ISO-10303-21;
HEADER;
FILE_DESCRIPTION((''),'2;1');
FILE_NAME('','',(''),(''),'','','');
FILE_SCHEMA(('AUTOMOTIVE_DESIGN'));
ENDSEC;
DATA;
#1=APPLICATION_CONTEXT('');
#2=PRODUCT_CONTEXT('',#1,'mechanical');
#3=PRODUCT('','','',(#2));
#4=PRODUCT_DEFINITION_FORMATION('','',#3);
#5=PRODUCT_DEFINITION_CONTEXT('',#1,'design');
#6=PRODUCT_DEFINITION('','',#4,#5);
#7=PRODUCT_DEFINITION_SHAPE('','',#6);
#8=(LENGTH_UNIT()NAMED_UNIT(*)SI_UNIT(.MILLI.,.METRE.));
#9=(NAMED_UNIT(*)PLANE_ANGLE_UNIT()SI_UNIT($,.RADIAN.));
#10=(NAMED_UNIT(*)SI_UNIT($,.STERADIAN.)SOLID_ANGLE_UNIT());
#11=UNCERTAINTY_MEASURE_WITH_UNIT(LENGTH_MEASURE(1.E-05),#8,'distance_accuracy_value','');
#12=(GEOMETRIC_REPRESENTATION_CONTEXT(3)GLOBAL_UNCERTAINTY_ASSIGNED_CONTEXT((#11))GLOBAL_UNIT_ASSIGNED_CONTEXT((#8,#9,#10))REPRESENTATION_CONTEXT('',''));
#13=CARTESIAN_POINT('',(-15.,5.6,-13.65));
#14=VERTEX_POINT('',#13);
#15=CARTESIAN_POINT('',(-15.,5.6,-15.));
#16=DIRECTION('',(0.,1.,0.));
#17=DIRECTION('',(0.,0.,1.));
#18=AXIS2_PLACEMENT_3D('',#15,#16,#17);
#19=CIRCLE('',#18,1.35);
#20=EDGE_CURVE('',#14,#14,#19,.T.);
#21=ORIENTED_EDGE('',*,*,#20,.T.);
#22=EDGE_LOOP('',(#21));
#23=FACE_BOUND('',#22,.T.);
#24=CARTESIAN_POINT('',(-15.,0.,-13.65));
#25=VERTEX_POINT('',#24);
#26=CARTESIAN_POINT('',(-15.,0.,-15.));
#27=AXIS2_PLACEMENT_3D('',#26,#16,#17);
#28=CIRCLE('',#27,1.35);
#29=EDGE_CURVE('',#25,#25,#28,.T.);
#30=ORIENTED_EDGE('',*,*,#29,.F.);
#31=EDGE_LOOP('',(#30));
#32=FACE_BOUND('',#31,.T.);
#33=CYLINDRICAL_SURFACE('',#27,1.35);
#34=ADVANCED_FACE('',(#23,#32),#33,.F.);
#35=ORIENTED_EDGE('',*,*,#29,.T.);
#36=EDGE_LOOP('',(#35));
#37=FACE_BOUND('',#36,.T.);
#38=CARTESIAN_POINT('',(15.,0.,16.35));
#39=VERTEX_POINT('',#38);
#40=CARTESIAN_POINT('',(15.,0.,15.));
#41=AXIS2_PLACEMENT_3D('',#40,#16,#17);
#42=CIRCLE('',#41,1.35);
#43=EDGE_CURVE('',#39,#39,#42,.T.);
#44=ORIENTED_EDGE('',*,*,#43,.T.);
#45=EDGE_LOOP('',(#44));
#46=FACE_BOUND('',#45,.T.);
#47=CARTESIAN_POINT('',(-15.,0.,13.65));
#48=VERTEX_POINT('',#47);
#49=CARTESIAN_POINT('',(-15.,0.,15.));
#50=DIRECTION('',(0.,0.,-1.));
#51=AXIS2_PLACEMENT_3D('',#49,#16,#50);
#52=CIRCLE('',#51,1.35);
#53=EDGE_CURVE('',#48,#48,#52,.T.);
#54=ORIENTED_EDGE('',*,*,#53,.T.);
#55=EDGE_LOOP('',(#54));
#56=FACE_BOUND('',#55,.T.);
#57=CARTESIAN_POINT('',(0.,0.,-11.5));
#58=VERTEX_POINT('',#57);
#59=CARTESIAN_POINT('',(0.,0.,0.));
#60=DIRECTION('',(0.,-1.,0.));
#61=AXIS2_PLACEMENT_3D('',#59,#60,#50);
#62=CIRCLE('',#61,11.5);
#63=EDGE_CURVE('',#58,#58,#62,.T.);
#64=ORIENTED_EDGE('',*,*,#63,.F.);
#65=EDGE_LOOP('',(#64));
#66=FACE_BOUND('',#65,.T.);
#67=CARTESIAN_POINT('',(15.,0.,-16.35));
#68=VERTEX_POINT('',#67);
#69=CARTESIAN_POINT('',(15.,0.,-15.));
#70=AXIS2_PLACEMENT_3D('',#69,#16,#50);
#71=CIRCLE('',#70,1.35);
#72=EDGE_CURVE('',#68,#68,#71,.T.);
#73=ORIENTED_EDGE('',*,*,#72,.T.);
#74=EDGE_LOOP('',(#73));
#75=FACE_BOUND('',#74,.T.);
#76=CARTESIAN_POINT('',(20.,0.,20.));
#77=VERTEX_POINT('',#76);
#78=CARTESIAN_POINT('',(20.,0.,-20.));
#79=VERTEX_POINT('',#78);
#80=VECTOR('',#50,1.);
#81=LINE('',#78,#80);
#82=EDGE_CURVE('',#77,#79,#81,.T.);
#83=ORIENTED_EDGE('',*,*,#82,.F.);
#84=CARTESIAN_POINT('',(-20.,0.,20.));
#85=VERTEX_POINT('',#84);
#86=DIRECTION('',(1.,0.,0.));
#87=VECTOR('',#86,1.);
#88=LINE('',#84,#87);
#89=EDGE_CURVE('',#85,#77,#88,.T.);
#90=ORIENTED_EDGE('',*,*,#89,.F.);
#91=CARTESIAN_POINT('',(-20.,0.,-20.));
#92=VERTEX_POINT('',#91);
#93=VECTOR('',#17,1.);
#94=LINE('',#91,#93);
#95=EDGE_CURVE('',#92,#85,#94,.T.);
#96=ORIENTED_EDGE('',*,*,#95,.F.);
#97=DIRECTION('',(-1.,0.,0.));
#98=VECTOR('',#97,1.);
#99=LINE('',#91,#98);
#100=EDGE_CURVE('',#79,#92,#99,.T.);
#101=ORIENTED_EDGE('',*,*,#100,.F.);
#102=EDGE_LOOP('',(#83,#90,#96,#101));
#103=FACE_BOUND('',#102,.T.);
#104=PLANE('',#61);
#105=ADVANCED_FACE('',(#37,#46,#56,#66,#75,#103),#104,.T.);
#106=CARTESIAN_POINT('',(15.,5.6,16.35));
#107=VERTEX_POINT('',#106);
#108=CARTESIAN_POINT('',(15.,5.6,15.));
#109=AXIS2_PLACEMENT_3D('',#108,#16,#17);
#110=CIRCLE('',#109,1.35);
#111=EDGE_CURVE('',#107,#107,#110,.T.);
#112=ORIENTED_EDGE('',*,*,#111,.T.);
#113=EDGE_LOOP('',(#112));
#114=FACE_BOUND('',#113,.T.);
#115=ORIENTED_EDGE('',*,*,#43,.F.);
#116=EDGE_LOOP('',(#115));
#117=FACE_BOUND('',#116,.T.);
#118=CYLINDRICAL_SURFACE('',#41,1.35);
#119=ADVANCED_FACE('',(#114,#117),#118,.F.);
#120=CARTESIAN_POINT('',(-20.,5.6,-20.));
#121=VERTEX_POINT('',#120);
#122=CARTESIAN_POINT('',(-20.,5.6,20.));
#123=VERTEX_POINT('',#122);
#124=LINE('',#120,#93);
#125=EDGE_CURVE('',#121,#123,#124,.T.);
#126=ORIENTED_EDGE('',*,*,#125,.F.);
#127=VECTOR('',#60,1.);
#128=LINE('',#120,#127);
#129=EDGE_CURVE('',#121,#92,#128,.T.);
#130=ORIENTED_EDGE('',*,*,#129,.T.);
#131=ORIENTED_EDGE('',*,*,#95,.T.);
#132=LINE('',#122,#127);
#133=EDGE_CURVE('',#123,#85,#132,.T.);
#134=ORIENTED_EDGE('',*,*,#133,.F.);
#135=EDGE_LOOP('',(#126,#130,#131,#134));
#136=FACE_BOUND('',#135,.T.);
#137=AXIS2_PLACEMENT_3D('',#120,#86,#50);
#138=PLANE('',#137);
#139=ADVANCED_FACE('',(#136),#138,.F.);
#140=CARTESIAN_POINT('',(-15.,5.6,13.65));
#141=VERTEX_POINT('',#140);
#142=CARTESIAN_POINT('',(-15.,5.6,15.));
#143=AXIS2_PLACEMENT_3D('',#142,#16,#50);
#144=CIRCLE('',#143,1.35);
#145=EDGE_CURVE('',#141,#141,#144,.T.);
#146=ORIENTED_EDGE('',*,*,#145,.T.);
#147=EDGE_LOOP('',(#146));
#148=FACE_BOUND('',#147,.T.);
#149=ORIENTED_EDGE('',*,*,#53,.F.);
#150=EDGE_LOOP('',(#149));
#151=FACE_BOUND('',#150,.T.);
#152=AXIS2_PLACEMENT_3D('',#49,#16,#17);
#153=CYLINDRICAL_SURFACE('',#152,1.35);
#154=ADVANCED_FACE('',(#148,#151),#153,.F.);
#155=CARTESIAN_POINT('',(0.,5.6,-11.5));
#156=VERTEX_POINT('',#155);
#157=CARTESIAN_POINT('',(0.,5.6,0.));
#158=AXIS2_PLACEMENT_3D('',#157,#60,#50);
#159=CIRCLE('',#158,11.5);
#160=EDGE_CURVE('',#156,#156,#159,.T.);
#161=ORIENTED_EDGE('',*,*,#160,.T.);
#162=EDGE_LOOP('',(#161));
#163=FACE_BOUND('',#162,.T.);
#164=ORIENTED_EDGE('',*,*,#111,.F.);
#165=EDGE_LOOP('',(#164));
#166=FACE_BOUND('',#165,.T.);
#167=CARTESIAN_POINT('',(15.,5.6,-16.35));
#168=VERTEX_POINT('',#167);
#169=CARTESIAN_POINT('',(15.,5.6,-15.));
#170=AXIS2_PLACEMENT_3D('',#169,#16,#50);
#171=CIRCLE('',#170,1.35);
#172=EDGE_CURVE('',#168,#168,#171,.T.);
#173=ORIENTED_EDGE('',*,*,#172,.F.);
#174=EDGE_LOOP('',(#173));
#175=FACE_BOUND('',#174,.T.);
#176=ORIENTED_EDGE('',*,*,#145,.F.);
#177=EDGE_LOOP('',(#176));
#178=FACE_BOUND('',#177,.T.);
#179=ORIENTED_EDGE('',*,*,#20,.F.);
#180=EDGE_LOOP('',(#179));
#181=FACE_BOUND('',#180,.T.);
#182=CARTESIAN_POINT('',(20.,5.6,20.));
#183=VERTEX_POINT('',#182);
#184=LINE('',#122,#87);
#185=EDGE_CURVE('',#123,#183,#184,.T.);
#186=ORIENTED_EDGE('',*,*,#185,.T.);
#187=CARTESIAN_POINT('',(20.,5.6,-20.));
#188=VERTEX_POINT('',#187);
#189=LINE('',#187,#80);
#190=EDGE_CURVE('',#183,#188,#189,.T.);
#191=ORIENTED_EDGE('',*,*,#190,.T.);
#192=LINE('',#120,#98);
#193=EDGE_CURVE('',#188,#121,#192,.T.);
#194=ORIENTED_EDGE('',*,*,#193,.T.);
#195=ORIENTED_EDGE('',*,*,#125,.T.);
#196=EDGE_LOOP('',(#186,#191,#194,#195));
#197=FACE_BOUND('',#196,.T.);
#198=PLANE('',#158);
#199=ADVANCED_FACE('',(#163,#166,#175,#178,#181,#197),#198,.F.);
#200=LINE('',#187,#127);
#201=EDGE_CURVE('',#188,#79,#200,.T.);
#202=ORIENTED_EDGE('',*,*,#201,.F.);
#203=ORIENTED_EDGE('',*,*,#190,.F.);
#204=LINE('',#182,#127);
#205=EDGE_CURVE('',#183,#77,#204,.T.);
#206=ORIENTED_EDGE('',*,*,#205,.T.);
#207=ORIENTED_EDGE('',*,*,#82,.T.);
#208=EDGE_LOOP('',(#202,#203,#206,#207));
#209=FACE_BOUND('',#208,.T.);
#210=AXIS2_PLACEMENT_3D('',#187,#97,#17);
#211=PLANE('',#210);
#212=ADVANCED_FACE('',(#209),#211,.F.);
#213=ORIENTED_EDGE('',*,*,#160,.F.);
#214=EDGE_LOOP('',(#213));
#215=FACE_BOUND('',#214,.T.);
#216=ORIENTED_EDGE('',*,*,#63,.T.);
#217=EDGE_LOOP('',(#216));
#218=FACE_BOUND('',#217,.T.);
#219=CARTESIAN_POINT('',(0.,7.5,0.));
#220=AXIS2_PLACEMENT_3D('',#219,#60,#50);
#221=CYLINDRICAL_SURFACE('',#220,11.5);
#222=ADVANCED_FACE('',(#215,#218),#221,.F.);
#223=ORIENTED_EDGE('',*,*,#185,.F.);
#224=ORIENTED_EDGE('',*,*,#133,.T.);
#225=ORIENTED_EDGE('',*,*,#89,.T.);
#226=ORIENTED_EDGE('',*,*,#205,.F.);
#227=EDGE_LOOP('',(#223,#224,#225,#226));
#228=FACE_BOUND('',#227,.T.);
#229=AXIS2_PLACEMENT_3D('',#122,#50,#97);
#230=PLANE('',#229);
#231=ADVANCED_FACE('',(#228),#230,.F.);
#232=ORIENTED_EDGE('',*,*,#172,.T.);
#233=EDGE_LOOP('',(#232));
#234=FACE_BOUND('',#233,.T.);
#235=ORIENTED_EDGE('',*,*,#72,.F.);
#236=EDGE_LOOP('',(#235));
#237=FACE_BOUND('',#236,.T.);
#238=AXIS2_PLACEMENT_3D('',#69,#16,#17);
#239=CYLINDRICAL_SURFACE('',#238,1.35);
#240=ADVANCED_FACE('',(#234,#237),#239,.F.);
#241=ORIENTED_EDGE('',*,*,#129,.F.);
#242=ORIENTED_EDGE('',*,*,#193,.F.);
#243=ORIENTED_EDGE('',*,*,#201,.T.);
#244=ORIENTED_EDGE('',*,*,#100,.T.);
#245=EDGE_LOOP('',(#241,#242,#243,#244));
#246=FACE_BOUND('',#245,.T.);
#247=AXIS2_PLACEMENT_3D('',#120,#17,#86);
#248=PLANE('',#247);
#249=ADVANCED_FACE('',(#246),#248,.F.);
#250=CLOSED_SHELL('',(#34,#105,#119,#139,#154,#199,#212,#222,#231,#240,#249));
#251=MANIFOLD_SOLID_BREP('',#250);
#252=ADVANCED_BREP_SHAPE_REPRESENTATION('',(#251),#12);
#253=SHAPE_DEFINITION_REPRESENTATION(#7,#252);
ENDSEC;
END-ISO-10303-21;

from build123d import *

# Parameters (mm, degrees)
SKETCH1_W           = 40
SKETCH1_H           = 40
BOSS_EXTRUDE1_DEPTH = 5.6
SKETCH2_R           = 11
CUT_EXTRUDE1_DEPTH  = 6.6
SKETCH3_R           = 11.5
CUT_EXTRUDE2_DEPTH  = 7.5
SKETCH5_R           = 1.35
CUT_EXTRUDE4_DEPTH  = 6.6


with BuildPart() as part:
    # Sketch1 → Boss-Extrude1 (new body)
    with BuildSketch(Plane(origin=(0, 0, 0), x_dir=(1, 0, 0), z_dir=(0, 1, 0))):
        Rectangle(SKETCH1_W, SKETCH1_H)
    extrude(amount=BOSS_EXTRUDE1_DEPTH)

    # Sketch2 → Cut-Extrude1 (cut, through all)
    with BuildSketch(Plane(origin=(0, 5.6, 0), x_dir=(1, 0, 0), z_dir=(0, 1, 0))):
        Circle(SKETCH2_R)
    extrude(amount=-CUT_EXTRUDE1_DEPTH, mode=Mode.SUBTRACT)

    # Sketch3 → Cut-Extrude2 (cut)
    with BuildSketch(Plane(origin=(0, 0, 0), x_dir=(-1, 0, 0), z_dir=(0, -1, 0))):
        Circle(SKETCH3_R)
    extrude(amount=-CUT_EXTRUDE2_DEPTH, mode=Mode.SUBTRACT)

    # Sketch5 → Cut-Extrude4 (cut, through all)
    with BuildSketch(Plane(origin=(0, 5.6, 0), x_dir=(1, 0, 0), z_dir=(0, 1, 0))):
        with Locations((-15, 15)):
            Circle(SKETCH5_R)
        with Locations((15, 15)):
            Circle(SKETCH5_R)
        with Locations((15, -15)):
            Circle(SKETCH5_R)
        with Locations((-15, -15)):
            Circle(SKETCH5_R)
    extrude(amount=-CUT_EXTRUDE4_DEPTH, mode=Mode.SUBTRACT)


solid = part.part
